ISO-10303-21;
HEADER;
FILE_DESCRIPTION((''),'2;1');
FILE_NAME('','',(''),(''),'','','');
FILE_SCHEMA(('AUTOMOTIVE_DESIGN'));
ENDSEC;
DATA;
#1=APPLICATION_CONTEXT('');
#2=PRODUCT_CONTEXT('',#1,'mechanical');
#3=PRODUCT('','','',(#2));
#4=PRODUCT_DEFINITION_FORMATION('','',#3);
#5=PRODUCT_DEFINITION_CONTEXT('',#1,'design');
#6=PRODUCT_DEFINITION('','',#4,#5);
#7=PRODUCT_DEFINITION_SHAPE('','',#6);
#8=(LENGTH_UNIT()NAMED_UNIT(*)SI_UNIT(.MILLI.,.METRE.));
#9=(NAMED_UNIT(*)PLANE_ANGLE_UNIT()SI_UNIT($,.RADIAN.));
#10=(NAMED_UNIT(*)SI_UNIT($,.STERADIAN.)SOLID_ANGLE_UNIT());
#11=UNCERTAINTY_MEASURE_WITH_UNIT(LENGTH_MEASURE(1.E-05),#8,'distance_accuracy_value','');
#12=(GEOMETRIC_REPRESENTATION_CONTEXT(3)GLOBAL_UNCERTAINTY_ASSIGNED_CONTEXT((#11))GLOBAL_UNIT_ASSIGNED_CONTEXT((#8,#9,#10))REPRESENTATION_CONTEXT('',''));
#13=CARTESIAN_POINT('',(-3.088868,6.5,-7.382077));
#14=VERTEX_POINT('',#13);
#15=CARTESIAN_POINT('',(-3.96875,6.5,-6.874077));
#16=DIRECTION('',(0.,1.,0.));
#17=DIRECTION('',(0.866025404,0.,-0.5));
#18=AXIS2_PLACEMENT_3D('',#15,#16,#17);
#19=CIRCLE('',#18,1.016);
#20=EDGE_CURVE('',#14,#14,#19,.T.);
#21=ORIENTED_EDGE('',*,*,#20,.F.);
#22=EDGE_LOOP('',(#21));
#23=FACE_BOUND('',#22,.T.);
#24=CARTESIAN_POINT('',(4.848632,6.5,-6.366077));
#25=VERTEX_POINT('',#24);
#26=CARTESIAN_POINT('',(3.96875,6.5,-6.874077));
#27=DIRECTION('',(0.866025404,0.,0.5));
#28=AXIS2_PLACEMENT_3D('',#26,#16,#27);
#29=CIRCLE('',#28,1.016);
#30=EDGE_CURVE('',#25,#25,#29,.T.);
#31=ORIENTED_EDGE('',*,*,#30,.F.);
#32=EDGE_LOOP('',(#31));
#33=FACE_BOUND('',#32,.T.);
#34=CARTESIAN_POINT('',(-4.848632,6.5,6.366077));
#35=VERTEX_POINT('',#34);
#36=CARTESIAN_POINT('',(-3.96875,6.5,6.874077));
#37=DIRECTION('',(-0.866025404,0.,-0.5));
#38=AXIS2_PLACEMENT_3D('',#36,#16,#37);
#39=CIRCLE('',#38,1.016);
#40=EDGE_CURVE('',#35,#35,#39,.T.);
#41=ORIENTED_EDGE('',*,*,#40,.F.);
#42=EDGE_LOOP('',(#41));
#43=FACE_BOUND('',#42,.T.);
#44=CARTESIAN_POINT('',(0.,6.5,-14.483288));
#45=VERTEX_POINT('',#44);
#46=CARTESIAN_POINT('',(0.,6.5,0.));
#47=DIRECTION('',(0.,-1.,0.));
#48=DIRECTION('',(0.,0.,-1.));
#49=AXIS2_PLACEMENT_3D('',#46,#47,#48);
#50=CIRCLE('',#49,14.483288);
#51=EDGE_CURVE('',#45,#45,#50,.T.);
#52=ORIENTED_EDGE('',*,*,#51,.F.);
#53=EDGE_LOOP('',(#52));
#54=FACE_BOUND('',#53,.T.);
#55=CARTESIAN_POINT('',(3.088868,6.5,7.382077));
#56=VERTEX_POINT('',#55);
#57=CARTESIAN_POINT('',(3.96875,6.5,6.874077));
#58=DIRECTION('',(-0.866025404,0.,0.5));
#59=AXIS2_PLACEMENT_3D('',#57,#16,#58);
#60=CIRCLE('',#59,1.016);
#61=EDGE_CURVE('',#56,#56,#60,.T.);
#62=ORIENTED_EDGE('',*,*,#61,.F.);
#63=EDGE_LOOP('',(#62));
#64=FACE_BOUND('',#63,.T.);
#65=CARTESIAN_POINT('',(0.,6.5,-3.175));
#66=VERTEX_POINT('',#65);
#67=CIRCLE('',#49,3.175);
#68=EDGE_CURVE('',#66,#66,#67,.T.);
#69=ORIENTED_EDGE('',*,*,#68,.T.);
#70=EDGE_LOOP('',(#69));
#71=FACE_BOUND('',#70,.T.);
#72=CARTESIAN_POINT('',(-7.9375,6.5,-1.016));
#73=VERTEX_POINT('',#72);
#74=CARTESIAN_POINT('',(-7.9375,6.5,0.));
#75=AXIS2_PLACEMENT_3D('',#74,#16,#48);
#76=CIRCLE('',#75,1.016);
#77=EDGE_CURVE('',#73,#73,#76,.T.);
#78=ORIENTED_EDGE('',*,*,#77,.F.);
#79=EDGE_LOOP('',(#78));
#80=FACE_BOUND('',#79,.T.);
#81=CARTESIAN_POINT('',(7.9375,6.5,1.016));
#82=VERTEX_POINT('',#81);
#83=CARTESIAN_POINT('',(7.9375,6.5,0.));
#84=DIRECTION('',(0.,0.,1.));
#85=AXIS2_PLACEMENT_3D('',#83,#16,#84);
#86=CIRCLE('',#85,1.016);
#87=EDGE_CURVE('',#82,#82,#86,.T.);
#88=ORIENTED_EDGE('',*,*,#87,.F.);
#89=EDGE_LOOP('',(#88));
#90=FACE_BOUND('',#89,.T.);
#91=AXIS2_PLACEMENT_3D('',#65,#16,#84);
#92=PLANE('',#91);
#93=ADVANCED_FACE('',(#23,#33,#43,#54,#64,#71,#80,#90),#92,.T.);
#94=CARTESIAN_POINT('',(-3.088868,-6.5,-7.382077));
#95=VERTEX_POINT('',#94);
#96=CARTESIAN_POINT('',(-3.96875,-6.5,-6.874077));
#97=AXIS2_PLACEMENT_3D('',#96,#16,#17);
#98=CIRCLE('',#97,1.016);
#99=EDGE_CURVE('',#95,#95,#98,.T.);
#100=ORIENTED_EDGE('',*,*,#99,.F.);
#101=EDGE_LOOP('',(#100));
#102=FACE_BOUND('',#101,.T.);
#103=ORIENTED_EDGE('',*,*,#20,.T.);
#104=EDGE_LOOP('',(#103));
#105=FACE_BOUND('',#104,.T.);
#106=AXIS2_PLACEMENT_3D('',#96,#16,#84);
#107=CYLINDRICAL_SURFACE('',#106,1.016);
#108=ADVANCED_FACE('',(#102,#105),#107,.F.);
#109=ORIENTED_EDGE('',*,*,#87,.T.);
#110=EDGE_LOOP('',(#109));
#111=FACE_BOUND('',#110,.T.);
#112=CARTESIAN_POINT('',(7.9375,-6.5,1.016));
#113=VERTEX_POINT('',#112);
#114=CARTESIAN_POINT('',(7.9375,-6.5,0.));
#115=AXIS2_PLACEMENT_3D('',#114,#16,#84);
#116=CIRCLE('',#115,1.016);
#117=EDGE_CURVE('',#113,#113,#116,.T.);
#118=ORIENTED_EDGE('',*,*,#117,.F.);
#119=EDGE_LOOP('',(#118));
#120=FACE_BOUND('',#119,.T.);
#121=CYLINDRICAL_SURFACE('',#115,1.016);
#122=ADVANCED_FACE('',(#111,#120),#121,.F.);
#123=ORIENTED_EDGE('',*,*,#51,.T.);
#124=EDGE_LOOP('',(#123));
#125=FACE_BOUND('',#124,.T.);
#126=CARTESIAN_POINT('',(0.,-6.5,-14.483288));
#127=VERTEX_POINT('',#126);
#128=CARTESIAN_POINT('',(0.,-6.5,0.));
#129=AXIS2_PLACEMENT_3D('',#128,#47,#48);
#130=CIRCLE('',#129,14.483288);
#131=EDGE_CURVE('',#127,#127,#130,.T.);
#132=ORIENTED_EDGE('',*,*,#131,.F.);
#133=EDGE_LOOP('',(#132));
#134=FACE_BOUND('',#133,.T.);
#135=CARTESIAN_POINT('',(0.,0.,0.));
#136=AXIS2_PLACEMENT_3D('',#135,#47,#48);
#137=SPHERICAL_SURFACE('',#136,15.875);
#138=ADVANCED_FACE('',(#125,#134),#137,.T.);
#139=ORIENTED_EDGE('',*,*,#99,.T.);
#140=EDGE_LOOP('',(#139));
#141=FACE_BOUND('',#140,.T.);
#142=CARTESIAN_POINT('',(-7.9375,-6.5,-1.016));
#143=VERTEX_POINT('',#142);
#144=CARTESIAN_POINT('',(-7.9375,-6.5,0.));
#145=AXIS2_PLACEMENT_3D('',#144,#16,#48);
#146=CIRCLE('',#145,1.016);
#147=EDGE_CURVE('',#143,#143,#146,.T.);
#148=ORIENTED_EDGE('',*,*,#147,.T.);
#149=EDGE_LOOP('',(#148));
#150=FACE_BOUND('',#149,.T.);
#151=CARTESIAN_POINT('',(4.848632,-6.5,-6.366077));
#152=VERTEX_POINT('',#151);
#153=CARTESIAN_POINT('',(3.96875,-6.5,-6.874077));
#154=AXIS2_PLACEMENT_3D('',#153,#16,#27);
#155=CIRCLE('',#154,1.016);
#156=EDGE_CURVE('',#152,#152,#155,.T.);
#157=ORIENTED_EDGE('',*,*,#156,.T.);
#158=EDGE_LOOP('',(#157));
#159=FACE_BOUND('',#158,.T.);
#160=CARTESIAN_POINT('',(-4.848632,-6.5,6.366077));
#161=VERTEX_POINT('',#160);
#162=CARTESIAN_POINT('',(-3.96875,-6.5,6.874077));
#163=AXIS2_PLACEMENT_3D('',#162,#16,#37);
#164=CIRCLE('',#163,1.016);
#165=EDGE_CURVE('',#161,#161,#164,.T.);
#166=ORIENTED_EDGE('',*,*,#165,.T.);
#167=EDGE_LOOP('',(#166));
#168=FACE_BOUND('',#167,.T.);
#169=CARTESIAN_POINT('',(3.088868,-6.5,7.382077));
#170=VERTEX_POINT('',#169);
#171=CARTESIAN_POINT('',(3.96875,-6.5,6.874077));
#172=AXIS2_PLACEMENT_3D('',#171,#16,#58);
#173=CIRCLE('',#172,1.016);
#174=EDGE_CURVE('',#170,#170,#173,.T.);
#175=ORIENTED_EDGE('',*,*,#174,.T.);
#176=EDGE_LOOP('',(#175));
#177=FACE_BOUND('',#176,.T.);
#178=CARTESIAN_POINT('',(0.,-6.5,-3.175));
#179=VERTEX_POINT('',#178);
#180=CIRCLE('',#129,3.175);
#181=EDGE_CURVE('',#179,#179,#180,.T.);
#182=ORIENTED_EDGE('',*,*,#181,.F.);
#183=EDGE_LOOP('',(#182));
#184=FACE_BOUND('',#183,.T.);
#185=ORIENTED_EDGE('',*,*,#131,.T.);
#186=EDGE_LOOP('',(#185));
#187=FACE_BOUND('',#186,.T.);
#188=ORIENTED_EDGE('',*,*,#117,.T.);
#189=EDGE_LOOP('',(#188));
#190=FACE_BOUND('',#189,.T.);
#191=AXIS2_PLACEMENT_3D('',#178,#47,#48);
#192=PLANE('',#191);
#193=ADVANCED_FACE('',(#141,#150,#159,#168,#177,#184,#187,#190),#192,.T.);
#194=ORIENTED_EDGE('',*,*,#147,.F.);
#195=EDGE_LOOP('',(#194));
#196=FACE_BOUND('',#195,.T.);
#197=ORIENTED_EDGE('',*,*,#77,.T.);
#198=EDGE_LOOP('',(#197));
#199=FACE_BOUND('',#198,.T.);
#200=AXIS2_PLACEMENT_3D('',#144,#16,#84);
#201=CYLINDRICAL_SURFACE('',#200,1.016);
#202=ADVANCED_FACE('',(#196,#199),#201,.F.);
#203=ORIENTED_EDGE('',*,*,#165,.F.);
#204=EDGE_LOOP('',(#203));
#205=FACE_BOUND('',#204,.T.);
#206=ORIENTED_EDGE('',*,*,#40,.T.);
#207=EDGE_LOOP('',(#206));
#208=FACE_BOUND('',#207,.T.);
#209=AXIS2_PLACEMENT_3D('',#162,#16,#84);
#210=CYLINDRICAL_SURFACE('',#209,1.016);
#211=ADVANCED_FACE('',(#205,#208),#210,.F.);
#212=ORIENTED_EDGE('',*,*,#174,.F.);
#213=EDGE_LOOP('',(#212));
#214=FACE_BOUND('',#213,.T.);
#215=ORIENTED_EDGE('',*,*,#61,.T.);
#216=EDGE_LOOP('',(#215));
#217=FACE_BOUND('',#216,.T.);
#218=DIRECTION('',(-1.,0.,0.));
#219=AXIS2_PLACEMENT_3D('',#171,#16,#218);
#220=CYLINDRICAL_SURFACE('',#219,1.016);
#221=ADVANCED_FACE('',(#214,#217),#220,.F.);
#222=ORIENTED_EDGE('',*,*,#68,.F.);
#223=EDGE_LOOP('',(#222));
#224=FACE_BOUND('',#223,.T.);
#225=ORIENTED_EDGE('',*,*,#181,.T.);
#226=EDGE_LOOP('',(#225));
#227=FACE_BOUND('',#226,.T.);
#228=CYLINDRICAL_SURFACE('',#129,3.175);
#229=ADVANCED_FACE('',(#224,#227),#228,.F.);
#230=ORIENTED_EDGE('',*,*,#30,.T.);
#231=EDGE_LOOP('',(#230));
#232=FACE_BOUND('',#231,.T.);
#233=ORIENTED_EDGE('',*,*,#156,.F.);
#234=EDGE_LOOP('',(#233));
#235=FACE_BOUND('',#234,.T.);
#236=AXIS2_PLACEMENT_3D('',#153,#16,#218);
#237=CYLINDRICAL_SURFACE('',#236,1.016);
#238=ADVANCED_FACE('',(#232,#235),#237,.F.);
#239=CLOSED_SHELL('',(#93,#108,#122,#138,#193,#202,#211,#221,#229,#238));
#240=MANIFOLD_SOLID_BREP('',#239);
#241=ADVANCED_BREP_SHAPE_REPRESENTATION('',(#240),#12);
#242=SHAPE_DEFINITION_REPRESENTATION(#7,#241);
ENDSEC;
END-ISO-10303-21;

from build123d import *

# Parameters (mm, degrees)
SKETCH3_R          = 1.016
CUT_EXTRUDE1_DEPTH = 7.5
CIRPATTERN1_COUNT  = 6


with BuildPart() as part:
    # Sketch1 → Revolve1 (revolve)
    with BuildSketch(Plane(origin=(0, 0, 0), x_dir=(0, 0, -1), z_dir=(1, 0, 0))):
        with BuildLine():
            Line((3.175, 6.5), (14.483287783, 6.5))
            ThreePointArc((14.483287783, 6.5), (15.875, 0), (14.483287783, -6.5))
            Line((14.483287783, -6.5), (3.175, -6.5))
            Line((3.175, -6.5), (3.175, 6.5))
        make_face()
    revolve(axis=Axis((0, -6.5, 0), (0, 1, 0)))

    # Sketch3 → Cut-Extrude1 (cut, symmetric)
    with BuildSketch(Plane(origin=(0, 0, 0), x_dir=(1, 0, 0), z_dir=(0, 1, 0))):
        with Locations((7.9375, 0)):
            Circle(SKETCH3_R)
    cut_extrude1 = extrude(amount=CUT_EXTRUDE1_DEPTH, both=True, mode=Mode.SUBTRACT)

    # CirPattern1: Cut-Extrude1 ×6 about axis
    cirpattern1_axis = Axis((0, 0, 0), (0, 1, 0))
    for i in range(1, CIRPATTERN1_COUNT):
        add(cut_extrude1.rotate(cirpattern1_axis, i * 360 / CIRPATTERN1_COUNT), mode=Mode.SUBTRACT)


solid = part.part
